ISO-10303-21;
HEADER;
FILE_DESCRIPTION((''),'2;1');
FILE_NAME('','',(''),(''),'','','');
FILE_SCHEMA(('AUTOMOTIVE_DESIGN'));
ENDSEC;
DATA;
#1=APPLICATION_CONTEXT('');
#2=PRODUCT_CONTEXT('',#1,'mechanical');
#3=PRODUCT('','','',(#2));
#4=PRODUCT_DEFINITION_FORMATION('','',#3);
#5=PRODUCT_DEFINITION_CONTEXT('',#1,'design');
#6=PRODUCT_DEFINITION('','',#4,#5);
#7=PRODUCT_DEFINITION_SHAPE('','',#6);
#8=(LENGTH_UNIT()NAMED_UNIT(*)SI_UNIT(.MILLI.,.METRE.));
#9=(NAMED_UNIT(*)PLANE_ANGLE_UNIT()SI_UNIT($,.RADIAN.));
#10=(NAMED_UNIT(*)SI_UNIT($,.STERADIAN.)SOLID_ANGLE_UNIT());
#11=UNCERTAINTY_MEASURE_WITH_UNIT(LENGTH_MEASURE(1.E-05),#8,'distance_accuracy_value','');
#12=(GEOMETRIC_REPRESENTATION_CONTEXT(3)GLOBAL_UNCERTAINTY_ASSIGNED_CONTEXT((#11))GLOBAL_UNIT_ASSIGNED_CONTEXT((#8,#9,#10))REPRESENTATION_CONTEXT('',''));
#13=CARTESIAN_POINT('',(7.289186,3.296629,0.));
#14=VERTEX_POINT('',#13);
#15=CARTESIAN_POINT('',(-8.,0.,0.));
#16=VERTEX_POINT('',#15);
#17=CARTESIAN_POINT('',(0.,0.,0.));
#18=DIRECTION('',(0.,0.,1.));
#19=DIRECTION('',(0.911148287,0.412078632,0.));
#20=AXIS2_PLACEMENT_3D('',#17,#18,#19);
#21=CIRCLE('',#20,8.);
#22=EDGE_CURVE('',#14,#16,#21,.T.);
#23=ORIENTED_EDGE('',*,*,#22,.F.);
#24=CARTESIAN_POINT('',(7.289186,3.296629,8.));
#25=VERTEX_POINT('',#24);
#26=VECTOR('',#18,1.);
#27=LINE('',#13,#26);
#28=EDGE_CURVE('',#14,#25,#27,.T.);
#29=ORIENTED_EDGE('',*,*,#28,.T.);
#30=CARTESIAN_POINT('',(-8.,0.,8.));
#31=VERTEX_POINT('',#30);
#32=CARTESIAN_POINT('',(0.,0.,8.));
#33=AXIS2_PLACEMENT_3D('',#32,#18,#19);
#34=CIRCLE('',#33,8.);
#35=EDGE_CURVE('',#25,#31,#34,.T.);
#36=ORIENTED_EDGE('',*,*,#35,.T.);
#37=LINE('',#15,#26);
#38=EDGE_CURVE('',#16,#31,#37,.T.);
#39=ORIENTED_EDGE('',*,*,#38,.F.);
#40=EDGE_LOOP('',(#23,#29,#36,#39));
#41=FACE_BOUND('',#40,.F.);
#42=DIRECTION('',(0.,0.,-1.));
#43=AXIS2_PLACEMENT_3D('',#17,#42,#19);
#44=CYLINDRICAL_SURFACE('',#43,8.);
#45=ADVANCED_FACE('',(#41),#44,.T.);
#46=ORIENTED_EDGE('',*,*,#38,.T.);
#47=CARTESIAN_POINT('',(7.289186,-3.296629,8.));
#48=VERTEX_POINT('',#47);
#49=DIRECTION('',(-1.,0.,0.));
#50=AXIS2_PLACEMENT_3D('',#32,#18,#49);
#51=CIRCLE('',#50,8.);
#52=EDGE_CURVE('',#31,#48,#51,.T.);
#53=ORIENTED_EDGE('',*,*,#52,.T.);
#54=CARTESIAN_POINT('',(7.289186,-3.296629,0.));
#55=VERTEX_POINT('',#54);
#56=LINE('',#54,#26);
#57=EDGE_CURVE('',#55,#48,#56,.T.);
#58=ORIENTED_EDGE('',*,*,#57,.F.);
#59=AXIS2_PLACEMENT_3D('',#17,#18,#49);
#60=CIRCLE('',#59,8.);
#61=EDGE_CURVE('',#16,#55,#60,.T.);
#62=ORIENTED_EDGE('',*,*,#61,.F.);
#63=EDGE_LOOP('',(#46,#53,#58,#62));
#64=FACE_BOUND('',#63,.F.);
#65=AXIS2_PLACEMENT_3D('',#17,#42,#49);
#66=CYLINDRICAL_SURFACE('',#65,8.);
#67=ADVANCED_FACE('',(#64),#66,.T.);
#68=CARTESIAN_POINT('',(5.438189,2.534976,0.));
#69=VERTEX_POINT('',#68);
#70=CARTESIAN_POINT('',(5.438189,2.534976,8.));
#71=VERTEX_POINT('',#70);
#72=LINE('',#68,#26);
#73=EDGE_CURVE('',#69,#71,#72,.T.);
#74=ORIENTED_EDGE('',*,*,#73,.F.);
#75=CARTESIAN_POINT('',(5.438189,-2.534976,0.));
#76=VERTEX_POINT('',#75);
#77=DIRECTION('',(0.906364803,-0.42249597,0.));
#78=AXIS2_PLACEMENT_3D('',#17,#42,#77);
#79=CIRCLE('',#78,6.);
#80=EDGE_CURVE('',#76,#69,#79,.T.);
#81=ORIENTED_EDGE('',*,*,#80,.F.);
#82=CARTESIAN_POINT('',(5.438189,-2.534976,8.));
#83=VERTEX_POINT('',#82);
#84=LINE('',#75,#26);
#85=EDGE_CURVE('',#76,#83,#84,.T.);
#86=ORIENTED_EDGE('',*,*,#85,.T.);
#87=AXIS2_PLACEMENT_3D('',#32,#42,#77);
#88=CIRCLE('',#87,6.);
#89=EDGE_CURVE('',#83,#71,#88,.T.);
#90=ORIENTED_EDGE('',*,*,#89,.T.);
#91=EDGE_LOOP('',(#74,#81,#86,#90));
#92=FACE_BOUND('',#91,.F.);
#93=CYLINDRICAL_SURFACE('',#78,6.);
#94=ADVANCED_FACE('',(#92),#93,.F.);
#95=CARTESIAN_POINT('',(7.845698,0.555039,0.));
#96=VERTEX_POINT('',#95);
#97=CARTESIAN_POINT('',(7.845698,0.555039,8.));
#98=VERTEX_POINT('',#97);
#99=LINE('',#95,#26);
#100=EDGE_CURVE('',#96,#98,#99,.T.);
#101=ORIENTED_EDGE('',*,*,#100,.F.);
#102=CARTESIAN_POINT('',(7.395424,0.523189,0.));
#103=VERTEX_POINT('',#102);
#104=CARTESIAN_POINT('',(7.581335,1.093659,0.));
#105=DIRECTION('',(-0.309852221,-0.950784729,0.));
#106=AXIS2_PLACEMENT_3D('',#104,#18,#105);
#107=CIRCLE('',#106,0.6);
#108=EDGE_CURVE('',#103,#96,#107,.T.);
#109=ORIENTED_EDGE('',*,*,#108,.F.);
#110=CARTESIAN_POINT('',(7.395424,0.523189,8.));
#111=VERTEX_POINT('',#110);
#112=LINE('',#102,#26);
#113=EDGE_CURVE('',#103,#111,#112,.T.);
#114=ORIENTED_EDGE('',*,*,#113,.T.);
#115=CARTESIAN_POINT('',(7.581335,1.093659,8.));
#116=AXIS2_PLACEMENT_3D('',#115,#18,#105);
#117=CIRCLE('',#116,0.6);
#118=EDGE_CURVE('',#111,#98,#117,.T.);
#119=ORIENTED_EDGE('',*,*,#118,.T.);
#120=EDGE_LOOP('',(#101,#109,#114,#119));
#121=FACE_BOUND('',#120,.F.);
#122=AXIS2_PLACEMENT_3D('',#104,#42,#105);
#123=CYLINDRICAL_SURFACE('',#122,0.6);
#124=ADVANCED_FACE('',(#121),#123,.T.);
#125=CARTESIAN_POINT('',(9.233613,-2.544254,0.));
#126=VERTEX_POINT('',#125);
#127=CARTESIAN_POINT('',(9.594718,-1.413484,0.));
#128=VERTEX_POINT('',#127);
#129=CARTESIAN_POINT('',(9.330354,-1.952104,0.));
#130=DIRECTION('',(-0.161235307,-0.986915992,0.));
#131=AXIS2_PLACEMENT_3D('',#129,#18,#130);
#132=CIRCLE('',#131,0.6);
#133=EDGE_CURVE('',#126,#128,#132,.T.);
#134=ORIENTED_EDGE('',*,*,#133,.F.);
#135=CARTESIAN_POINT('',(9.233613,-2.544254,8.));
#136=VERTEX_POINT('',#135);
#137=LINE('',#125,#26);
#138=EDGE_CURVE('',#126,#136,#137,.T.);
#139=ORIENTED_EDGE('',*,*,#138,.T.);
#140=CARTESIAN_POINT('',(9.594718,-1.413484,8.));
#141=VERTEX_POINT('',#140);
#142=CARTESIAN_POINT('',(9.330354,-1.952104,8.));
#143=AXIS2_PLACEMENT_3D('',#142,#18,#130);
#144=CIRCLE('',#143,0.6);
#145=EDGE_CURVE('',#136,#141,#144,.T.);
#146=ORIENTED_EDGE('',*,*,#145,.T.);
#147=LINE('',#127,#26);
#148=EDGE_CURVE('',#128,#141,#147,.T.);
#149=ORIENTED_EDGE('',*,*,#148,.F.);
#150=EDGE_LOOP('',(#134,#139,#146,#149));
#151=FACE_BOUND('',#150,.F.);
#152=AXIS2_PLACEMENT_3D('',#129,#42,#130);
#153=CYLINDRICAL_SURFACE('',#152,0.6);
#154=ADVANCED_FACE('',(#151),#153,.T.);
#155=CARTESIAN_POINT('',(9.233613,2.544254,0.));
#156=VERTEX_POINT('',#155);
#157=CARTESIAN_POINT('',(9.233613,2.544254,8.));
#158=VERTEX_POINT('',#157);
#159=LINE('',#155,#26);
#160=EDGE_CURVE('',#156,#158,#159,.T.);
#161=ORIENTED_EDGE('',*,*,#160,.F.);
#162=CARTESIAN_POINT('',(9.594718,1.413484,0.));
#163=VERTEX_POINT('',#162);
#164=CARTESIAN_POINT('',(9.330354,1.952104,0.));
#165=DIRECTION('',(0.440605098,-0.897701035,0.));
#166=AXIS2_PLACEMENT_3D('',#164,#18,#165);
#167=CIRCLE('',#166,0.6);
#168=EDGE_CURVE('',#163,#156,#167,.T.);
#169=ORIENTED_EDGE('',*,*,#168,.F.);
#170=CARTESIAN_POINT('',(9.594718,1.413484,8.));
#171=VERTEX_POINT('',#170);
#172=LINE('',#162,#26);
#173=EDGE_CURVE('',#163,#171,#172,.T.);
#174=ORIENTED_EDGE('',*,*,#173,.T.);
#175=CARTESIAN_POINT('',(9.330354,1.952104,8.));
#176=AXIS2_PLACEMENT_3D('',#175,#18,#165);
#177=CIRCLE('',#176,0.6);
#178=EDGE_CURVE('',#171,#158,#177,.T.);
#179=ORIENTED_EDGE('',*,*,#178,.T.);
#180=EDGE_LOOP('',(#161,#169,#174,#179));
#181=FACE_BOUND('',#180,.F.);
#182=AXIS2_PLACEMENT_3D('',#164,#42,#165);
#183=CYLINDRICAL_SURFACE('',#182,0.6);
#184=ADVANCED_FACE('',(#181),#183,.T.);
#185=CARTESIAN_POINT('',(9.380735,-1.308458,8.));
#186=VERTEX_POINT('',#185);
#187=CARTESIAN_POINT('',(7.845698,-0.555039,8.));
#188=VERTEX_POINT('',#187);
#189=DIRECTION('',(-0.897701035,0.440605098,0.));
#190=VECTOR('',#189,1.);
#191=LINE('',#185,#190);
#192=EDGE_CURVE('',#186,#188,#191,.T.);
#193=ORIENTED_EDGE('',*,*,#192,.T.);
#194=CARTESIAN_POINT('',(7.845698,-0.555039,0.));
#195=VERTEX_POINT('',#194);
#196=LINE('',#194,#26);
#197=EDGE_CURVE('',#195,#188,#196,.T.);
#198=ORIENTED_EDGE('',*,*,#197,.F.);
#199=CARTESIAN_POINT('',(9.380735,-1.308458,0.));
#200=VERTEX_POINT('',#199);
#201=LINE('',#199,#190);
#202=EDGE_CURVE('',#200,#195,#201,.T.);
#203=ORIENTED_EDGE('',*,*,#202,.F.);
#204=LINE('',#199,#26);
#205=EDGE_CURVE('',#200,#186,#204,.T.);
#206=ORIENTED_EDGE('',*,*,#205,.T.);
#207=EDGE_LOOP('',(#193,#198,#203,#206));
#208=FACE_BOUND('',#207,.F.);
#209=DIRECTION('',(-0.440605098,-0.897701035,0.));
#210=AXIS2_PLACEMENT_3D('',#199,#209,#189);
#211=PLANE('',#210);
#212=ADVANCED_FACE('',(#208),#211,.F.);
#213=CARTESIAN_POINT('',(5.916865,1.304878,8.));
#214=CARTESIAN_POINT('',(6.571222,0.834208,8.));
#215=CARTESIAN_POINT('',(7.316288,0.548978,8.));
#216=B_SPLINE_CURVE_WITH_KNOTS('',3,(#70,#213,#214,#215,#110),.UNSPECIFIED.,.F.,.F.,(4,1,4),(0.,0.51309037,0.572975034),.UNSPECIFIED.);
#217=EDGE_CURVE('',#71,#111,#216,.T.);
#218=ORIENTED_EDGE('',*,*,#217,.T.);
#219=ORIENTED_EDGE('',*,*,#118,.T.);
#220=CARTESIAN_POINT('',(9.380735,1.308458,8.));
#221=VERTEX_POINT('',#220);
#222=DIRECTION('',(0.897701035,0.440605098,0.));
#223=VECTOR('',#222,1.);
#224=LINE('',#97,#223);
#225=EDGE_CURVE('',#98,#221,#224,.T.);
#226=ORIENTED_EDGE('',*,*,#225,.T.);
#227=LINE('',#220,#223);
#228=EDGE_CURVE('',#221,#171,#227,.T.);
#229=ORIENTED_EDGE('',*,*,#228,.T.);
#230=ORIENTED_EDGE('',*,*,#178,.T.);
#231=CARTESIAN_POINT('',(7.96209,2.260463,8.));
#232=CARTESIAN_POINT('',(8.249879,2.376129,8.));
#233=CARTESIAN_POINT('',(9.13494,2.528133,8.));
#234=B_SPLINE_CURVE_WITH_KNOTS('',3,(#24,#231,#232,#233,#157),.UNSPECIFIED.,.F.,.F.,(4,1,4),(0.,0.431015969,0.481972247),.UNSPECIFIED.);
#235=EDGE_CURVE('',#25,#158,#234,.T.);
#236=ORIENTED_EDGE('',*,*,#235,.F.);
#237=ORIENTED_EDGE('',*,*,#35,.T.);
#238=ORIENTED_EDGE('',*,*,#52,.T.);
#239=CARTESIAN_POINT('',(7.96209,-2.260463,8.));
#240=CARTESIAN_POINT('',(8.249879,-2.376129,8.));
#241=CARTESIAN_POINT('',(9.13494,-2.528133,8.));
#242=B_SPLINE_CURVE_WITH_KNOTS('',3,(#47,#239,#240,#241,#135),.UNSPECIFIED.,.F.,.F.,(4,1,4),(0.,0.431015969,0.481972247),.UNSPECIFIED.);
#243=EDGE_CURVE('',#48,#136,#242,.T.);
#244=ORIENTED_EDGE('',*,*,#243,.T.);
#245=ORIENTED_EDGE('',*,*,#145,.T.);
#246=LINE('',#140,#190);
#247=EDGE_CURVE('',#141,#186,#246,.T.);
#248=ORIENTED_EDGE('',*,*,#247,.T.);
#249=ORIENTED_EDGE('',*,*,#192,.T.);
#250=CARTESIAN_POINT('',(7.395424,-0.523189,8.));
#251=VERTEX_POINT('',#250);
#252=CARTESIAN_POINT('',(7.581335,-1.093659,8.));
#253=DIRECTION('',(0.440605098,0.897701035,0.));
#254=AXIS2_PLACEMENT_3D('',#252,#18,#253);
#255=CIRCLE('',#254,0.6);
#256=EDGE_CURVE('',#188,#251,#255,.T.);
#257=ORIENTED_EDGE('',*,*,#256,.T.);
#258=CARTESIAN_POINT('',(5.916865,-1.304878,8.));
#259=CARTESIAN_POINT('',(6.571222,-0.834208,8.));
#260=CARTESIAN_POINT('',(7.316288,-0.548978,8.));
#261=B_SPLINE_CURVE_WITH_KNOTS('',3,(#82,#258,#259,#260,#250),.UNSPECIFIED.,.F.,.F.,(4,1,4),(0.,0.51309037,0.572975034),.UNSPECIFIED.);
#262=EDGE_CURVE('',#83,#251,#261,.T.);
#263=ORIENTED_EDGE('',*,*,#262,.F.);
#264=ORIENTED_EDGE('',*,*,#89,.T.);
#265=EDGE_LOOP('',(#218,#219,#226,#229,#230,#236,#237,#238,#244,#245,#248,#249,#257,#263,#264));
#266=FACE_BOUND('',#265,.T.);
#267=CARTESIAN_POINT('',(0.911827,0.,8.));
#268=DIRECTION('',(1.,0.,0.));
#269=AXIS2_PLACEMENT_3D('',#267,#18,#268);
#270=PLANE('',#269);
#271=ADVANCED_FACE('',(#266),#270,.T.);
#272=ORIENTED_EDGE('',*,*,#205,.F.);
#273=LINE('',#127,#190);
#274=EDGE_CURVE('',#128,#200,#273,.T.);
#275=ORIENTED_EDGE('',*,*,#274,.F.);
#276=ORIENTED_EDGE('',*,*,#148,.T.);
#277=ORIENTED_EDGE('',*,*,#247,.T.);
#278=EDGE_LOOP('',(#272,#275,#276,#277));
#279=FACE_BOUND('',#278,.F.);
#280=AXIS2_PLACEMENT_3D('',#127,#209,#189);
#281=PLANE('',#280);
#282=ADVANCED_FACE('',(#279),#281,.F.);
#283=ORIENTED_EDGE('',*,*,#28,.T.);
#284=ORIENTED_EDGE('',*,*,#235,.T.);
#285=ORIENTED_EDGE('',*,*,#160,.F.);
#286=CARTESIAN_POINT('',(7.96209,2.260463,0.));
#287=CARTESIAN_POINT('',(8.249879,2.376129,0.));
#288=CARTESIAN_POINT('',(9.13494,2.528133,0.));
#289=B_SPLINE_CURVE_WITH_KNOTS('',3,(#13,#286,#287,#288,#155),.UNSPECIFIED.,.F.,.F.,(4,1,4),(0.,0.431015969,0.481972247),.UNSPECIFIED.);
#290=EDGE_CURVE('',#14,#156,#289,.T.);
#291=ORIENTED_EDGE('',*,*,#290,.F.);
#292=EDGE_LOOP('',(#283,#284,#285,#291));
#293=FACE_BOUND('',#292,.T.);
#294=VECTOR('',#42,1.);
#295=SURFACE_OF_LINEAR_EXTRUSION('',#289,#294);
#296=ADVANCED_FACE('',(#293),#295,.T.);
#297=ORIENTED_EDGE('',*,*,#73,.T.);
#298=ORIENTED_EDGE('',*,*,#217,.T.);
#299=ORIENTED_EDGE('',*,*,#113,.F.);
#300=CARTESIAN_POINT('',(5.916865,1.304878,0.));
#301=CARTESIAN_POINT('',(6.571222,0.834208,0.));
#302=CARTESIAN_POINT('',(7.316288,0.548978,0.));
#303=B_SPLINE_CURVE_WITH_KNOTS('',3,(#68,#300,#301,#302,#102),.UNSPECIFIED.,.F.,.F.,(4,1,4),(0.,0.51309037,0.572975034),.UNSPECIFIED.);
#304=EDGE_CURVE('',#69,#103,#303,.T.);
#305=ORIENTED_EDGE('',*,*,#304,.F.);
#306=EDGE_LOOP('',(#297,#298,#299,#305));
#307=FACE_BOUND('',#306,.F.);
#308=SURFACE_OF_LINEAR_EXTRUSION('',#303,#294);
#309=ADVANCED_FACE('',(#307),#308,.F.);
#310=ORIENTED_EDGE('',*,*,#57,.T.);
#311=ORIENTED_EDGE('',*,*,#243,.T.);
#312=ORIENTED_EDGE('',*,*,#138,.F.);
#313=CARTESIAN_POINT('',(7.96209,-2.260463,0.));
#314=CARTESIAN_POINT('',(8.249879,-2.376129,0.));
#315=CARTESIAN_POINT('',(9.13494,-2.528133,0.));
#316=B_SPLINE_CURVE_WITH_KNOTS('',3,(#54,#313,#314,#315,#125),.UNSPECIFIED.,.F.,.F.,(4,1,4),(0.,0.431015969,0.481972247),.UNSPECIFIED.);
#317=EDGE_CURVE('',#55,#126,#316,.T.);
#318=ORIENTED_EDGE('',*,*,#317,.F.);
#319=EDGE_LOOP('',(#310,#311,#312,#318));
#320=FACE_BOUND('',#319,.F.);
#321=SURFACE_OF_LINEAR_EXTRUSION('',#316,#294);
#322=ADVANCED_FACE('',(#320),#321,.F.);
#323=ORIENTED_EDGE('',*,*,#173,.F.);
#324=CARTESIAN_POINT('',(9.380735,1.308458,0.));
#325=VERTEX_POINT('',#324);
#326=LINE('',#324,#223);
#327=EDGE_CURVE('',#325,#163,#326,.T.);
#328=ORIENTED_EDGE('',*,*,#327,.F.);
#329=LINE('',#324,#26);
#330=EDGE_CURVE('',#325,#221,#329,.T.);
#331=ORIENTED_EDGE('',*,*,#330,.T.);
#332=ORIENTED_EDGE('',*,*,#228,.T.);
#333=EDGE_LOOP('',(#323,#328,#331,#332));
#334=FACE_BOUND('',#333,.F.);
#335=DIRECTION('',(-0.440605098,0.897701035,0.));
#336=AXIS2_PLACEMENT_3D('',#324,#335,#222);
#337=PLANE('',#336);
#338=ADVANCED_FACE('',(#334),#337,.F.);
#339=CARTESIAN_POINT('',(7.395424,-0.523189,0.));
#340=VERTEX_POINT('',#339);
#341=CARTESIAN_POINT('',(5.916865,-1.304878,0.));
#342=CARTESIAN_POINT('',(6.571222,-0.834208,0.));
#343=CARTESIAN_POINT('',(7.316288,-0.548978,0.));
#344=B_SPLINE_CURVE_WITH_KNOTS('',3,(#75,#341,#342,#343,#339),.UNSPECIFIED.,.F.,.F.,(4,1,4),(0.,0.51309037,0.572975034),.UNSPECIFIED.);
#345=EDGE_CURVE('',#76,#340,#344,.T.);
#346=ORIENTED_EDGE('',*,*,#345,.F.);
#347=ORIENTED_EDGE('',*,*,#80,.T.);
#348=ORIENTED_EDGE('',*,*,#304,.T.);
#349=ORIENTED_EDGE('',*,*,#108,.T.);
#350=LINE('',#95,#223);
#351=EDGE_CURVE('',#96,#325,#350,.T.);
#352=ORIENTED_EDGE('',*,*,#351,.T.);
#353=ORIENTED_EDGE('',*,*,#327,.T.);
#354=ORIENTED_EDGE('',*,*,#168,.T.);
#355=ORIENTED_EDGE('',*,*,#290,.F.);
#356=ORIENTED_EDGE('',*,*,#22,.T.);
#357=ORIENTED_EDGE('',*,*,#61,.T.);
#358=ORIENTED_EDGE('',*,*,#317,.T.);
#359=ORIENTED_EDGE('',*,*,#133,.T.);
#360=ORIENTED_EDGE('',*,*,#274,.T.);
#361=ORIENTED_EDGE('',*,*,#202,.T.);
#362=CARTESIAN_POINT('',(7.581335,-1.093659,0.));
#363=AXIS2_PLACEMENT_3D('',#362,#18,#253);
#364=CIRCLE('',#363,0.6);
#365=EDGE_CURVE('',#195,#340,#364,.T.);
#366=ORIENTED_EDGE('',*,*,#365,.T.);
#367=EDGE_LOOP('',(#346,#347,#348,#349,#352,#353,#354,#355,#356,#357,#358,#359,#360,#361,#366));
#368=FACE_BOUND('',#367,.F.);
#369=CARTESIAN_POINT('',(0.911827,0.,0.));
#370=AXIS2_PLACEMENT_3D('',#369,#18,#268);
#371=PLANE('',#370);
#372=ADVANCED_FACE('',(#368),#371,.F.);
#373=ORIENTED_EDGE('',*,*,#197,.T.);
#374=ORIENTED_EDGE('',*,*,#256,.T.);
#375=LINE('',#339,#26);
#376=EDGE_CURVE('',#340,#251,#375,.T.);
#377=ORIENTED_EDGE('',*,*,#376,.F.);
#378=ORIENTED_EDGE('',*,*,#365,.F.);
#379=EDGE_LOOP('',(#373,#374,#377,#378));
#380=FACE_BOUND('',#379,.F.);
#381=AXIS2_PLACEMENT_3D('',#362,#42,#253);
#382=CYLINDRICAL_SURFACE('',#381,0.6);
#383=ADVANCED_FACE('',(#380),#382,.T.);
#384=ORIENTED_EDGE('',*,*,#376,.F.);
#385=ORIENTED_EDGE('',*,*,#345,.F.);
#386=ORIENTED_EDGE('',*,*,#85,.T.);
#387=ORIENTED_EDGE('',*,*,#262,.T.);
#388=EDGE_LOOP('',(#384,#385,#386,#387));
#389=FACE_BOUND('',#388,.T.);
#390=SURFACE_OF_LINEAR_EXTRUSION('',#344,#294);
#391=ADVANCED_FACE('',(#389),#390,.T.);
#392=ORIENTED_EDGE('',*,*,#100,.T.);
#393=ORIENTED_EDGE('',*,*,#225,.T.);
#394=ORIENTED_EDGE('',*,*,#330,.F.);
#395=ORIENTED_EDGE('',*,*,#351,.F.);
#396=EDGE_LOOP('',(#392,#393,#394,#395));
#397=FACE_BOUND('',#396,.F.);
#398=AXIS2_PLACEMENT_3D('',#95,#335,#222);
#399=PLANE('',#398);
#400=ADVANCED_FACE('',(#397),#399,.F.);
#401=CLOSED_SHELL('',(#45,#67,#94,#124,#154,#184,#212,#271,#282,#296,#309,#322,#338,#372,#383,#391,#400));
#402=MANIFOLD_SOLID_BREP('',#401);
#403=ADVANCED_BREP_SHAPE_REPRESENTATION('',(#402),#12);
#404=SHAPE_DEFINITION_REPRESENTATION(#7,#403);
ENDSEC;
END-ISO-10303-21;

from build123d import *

# Parameters (mm, degrees)
F1_DEPTH = 8


with BuildPart() as f1:
    # F0 (on Top) → F1 (new body)
    with BuildSketch(Plane.XY):
        with BuildLine():
            ThreePointArc((-6, 0), (-1.2982424862, 5.8578636419), (5.4381888157, 2.5349758194))
            add(Edge.make_bspline(
                [(5.4381888157, 2.5349758194), (5.9168648922, 1.3048778647), (6.5712223704, 0.8342077495), (7.316287914, 0.5489782253), (7.3954237393, 0.5231885691)],
                knots=[0, 0, 0, 0, 0.5130903697, 0.5729750339, 0.5729750339, 0.5729750339, 0.5729750339], degree=3))
            ThreePointArc((7.3954237393, 0.5231885691), (7.6236703696, 0.4951548346), (7.8456981312, 0.5550387858))
            Line((7.8456981312, 0.5550387858), (9.3807354753, 1.30845808))
            Line((9.3807354753, 1.30845808), (9.5947175059, 1.4134836619))
            ThreePointArc((9.5947175059, 1.4134836619), (9.9019177362, 2.1346293669), (9.2336132629, 2.544253878))
            add(Edge.make_bspline(
                [(7.2891862958, 3.2966290579), (7.9620901058, 2.2604630582), (8.2498794852, 2.3761286058), (9.1349400628, 2.5281333533), (9.2336132629, 2.544253878)],
                knots=[0, 0, 0, 0, 0.4310159689, 0.4819722472, 0.4819722472, 0.4819722472, 0.4819722472], degree=3))
            ThreePointArc((7.2891862958, 3.2966290579), (-1.6861953673, 7.8202778201), (-8, 0))
            ThreePointArc((-8, 0), (-1.6861953673, -7.8202778201), (7.2891862958, -3.2966290579))
            add(Edge.make_bspline(
                [(7.2891862958, -3.2966290579), (7.9620901058, -2.2604630582), (8.2498794852, -2.3761286058), (9.1349400628, -2.5281333533), (9.2336132629, -2.544253878)],
                knots=[0, 0, 0, 0, 0.4310159689, 0.4819722472, 0.4819722472, 0.4819722472, 0.4819722472], degree=3))
            ThreePointArc((9.2336132629, -2.544253878), (9.9019177362, -2.1346293669), (9.5947175059, -1.4134836619))
            Line((9.5947175059, -1.4134836619), (9.3807354753, -1.30845808))
            Line((9.3807354753, -1.30845808), (7.8456981312, -0.5550387858))
            ThreePointArc((7.8456981312, -0.5550387858), (7.6236703696, -0.4951548346), (7.3954237393, -0.5231885691))
            add(Edge.make_bspline(
                [(5.4381888157, -2.5349758194), (5.9168648922, -1.3048778647), (6.5712223704, -0.8342077495), (7.316287914, -0.5489782253), (7.3954237393, -0.5231885691)],
                knots=[0, 0, 0, 0, 0.5130903697, 0.5729750339, 0.5729750339, 0.5729750339, 0.5729750339], degree=3))
            ThreePointArc((5.4381888157, -2.5349758194), (-1.2982424862, -5.8578636419), (-6, 0))
        make_face()
    extrude(amount=F1_DEPTH)


solid = f1.part
